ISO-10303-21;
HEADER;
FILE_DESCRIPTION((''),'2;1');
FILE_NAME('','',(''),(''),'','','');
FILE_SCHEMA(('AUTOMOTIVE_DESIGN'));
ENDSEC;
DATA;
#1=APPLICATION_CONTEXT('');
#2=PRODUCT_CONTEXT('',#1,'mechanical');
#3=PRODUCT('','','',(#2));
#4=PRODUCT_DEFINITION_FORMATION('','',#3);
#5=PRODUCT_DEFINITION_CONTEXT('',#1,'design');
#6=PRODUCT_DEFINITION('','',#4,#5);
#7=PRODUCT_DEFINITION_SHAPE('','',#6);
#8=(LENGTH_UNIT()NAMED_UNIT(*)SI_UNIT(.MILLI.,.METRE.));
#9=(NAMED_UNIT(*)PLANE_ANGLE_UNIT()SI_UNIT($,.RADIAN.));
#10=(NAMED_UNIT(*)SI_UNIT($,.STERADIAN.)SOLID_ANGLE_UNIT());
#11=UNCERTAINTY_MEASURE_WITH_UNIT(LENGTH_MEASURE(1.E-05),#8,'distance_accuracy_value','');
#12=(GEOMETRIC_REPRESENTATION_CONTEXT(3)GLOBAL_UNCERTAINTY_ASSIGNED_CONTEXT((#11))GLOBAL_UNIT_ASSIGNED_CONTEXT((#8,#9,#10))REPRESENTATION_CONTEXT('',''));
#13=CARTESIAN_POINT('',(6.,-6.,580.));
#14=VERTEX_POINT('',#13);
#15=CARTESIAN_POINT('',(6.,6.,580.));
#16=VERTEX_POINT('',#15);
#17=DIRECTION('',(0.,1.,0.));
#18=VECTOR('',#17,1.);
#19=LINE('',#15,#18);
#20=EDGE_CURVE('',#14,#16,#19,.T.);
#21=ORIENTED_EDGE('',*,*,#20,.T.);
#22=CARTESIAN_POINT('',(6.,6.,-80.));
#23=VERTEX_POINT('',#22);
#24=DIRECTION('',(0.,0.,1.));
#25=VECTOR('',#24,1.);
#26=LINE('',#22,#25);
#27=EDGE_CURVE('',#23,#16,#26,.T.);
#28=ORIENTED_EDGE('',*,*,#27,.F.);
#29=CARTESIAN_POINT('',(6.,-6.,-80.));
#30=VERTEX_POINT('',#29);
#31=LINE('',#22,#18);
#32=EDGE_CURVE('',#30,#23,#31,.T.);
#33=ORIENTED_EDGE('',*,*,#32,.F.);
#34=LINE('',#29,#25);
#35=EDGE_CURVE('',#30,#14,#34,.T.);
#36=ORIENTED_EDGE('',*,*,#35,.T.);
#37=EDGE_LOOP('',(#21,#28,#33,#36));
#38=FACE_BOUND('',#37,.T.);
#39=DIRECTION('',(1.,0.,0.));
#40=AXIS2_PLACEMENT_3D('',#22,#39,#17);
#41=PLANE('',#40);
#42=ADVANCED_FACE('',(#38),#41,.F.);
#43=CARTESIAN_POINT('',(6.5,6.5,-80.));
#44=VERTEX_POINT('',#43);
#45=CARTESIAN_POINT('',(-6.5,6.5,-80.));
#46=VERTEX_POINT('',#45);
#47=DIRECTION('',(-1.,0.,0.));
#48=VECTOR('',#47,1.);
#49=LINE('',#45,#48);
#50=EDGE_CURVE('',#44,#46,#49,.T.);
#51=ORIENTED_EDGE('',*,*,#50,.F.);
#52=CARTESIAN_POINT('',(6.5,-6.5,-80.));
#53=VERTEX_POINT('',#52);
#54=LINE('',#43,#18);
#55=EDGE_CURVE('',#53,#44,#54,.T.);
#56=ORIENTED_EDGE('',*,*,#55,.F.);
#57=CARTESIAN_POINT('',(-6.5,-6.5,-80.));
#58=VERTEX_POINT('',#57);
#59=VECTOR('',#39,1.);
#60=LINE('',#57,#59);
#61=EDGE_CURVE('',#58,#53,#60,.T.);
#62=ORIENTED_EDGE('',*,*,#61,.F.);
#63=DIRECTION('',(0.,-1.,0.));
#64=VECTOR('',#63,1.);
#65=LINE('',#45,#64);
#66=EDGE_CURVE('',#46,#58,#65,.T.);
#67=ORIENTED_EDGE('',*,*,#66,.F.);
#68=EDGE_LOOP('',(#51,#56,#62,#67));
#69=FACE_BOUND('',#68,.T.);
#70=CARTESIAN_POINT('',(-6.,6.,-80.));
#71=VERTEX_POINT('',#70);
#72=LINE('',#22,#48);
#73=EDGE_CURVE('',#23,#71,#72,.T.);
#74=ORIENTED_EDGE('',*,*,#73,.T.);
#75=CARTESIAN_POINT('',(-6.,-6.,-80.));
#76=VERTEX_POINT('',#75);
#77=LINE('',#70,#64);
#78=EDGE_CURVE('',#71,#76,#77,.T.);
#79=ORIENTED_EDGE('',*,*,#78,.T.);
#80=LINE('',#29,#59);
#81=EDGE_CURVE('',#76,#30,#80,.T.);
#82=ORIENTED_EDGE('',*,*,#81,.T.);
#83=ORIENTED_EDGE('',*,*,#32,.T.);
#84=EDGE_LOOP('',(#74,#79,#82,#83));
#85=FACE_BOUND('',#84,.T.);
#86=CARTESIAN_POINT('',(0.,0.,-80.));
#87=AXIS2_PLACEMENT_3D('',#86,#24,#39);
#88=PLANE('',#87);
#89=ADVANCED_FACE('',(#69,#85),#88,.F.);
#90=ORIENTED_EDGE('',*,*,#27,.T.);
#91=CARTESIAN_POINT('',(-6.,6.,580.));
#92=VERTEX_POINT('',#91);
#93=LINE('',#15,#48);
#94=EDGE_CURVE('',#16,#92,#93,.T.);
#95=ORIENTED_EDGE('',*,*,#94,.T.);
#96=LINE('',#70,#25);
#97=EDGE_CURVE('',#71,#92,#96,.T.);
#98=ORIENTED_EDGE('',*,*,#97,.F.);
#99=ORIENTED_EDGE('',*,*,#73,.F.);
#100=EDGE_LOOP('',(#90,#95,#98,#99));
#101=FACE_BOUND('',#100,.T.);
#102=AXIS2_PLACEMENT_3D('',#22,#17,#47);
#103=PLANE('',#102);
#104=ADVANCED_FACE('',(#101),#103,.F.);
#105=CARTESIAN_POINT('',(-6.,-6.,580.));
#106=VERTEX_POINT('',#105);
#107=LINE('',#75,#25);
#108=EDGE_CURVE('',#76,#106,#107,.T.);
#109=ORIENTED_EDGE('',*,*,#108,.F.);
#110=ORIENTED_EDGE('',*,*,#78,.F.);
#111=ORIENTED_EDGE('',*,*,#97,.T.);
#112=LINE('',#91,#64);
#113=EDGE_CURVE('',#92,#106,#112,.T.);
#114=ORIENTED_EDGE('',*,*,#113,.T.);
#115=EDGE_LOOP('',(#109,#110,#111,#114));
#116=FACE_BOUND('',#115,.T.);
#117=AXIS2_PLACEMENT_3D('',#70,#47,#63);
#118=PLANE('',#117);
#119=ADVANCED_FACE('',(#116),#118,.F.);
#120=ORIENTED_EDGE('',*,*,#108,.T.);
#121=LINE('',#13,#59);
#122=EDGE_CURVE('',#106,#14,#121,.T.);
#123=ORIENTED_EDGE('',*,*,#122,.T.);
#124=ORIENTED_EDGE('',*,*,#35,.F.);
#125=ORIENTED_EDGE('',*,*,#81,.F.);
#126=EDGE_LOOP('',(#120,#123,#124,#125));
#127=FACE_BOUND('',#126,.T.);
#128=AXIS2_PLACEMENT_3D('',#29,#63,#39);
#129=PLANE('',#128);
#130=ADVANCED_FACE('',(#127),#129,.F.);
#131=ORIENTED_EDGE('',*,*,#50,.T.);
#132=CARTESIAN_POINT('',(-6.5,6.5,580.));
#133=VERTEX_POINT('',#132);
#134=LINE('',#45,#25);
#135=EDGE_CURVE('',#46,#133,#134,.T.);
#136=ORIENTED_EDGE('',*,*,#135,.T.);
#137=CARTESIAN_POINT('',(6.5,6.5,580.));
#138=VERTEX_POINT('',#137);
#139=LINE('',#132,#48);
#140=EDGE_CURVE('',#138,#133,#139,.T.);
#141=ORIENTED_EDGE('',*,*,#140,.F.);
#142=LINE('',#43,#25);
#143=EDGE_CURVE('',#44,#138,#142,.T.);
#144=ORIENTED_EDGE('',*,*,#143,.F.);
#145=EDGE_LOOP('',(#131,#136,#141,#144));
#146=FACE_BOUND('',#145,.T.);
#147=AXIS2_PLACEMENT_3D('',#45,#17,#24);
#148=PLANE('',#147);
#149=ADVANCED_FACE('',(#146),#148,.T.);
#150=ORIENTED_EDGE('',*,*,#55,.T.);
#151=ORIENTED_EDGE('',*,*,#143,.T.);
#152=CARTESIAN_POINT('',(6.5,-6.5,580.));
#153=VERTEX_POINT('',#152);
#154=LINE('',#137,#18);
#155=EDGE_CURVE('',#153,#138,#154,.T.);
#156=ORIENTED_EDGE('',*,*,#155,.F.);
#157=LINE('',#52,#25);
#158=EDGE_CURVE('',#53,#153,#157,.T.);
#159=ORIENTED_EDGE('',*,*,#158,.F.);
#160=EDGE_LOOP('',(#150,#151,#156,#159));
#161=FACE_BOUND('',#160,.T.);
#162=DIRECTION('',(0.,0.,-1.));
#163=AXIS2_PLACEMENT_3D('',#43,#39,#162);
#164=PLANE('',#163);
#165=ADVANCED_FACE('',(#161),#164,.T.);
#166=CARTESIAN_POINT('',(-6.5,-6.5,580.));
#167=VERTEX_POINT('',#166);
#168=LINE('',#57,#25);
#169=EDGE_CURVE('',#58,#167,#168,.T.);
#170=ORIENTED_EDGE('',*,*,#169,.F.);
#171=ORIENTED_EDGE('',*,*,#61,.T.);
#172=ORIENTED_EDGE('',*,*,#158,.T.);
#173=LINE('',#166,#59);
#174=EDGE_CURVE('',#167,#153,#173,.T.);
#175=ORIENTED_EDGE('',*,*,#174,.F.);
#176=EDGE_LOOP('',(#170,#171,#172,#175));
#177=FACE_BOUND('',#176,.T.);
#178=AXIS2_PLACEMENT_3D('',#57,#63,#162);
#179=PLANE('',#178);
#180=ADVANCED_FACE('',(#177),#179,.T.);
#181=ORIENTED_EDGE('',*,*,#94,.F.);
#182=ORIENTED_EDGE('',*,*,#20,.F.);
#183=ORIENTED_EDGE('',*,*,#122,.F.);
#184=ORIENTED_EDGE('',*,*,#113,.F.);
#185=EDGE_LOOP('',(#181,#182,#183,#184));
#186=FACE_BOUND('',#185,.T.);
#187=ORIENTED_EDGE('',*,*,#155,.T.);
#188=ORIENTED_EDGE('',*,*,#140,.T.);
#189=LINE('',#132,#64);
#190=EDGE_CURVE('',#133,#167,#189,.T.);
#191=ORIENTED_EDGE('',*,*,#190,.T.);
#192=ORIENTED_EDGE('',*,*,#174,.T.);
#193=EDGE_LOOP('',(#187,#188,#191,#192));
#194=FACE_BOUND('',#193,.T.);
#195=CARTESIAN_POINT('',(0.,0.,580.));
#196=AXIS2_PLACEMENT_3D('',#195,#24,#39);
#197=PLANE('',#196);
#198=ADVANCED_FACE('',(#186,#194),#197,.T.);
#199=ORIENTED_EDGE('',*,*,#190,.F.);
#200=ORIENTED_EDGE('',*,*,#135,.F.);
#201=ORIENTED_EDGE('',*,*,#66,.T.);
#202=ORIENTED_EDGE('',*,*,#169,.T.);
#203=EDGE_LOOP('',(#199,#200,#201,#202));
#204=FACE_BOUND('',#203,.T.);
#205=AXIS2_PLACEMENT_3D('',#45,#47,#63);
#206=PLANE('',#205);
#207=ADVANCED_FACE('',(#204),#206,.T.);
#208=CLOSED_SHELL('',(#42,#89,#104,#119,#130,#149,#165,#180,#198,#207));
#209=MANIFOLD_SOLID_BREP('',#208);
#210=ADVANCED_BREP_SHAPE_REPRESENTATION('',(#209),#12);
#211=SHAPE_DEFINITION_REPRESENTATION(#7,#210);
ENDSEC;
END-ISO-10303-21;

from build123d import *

# Parameters (mm, degrees)
BOSS_EXTRUDE1_DEPTH      = 580
BOSS_EXTRUDE1_DEPTH_BACK = 80
SKETCH1_W                = 13
SKETCH1_H                = 13
SKETCH1_W_2              = 12
SKETCH1_H_2              = 12


with BuildPart() as part:
    # Sketch1 → Boss-Extrude1 (new, two sides: drawn at the far end of the back side and taken through both)
    with BuildSketch(Plane.XY.offset(-BOSS_EXTRUDE1_DEPTH_BACK)):
        Rectangle(SKETCH1_W, SKETCH1_H)
        Rectangle(SKETCH1_W_2, SKETCH1_H_2, mode=Mode.SUBTRACT)
    extrude(amount=BOSS_EXTRUDE1_DEPTH + BOSS_EXTRUDE1_DEPTH_BACK)


solid = part.part
